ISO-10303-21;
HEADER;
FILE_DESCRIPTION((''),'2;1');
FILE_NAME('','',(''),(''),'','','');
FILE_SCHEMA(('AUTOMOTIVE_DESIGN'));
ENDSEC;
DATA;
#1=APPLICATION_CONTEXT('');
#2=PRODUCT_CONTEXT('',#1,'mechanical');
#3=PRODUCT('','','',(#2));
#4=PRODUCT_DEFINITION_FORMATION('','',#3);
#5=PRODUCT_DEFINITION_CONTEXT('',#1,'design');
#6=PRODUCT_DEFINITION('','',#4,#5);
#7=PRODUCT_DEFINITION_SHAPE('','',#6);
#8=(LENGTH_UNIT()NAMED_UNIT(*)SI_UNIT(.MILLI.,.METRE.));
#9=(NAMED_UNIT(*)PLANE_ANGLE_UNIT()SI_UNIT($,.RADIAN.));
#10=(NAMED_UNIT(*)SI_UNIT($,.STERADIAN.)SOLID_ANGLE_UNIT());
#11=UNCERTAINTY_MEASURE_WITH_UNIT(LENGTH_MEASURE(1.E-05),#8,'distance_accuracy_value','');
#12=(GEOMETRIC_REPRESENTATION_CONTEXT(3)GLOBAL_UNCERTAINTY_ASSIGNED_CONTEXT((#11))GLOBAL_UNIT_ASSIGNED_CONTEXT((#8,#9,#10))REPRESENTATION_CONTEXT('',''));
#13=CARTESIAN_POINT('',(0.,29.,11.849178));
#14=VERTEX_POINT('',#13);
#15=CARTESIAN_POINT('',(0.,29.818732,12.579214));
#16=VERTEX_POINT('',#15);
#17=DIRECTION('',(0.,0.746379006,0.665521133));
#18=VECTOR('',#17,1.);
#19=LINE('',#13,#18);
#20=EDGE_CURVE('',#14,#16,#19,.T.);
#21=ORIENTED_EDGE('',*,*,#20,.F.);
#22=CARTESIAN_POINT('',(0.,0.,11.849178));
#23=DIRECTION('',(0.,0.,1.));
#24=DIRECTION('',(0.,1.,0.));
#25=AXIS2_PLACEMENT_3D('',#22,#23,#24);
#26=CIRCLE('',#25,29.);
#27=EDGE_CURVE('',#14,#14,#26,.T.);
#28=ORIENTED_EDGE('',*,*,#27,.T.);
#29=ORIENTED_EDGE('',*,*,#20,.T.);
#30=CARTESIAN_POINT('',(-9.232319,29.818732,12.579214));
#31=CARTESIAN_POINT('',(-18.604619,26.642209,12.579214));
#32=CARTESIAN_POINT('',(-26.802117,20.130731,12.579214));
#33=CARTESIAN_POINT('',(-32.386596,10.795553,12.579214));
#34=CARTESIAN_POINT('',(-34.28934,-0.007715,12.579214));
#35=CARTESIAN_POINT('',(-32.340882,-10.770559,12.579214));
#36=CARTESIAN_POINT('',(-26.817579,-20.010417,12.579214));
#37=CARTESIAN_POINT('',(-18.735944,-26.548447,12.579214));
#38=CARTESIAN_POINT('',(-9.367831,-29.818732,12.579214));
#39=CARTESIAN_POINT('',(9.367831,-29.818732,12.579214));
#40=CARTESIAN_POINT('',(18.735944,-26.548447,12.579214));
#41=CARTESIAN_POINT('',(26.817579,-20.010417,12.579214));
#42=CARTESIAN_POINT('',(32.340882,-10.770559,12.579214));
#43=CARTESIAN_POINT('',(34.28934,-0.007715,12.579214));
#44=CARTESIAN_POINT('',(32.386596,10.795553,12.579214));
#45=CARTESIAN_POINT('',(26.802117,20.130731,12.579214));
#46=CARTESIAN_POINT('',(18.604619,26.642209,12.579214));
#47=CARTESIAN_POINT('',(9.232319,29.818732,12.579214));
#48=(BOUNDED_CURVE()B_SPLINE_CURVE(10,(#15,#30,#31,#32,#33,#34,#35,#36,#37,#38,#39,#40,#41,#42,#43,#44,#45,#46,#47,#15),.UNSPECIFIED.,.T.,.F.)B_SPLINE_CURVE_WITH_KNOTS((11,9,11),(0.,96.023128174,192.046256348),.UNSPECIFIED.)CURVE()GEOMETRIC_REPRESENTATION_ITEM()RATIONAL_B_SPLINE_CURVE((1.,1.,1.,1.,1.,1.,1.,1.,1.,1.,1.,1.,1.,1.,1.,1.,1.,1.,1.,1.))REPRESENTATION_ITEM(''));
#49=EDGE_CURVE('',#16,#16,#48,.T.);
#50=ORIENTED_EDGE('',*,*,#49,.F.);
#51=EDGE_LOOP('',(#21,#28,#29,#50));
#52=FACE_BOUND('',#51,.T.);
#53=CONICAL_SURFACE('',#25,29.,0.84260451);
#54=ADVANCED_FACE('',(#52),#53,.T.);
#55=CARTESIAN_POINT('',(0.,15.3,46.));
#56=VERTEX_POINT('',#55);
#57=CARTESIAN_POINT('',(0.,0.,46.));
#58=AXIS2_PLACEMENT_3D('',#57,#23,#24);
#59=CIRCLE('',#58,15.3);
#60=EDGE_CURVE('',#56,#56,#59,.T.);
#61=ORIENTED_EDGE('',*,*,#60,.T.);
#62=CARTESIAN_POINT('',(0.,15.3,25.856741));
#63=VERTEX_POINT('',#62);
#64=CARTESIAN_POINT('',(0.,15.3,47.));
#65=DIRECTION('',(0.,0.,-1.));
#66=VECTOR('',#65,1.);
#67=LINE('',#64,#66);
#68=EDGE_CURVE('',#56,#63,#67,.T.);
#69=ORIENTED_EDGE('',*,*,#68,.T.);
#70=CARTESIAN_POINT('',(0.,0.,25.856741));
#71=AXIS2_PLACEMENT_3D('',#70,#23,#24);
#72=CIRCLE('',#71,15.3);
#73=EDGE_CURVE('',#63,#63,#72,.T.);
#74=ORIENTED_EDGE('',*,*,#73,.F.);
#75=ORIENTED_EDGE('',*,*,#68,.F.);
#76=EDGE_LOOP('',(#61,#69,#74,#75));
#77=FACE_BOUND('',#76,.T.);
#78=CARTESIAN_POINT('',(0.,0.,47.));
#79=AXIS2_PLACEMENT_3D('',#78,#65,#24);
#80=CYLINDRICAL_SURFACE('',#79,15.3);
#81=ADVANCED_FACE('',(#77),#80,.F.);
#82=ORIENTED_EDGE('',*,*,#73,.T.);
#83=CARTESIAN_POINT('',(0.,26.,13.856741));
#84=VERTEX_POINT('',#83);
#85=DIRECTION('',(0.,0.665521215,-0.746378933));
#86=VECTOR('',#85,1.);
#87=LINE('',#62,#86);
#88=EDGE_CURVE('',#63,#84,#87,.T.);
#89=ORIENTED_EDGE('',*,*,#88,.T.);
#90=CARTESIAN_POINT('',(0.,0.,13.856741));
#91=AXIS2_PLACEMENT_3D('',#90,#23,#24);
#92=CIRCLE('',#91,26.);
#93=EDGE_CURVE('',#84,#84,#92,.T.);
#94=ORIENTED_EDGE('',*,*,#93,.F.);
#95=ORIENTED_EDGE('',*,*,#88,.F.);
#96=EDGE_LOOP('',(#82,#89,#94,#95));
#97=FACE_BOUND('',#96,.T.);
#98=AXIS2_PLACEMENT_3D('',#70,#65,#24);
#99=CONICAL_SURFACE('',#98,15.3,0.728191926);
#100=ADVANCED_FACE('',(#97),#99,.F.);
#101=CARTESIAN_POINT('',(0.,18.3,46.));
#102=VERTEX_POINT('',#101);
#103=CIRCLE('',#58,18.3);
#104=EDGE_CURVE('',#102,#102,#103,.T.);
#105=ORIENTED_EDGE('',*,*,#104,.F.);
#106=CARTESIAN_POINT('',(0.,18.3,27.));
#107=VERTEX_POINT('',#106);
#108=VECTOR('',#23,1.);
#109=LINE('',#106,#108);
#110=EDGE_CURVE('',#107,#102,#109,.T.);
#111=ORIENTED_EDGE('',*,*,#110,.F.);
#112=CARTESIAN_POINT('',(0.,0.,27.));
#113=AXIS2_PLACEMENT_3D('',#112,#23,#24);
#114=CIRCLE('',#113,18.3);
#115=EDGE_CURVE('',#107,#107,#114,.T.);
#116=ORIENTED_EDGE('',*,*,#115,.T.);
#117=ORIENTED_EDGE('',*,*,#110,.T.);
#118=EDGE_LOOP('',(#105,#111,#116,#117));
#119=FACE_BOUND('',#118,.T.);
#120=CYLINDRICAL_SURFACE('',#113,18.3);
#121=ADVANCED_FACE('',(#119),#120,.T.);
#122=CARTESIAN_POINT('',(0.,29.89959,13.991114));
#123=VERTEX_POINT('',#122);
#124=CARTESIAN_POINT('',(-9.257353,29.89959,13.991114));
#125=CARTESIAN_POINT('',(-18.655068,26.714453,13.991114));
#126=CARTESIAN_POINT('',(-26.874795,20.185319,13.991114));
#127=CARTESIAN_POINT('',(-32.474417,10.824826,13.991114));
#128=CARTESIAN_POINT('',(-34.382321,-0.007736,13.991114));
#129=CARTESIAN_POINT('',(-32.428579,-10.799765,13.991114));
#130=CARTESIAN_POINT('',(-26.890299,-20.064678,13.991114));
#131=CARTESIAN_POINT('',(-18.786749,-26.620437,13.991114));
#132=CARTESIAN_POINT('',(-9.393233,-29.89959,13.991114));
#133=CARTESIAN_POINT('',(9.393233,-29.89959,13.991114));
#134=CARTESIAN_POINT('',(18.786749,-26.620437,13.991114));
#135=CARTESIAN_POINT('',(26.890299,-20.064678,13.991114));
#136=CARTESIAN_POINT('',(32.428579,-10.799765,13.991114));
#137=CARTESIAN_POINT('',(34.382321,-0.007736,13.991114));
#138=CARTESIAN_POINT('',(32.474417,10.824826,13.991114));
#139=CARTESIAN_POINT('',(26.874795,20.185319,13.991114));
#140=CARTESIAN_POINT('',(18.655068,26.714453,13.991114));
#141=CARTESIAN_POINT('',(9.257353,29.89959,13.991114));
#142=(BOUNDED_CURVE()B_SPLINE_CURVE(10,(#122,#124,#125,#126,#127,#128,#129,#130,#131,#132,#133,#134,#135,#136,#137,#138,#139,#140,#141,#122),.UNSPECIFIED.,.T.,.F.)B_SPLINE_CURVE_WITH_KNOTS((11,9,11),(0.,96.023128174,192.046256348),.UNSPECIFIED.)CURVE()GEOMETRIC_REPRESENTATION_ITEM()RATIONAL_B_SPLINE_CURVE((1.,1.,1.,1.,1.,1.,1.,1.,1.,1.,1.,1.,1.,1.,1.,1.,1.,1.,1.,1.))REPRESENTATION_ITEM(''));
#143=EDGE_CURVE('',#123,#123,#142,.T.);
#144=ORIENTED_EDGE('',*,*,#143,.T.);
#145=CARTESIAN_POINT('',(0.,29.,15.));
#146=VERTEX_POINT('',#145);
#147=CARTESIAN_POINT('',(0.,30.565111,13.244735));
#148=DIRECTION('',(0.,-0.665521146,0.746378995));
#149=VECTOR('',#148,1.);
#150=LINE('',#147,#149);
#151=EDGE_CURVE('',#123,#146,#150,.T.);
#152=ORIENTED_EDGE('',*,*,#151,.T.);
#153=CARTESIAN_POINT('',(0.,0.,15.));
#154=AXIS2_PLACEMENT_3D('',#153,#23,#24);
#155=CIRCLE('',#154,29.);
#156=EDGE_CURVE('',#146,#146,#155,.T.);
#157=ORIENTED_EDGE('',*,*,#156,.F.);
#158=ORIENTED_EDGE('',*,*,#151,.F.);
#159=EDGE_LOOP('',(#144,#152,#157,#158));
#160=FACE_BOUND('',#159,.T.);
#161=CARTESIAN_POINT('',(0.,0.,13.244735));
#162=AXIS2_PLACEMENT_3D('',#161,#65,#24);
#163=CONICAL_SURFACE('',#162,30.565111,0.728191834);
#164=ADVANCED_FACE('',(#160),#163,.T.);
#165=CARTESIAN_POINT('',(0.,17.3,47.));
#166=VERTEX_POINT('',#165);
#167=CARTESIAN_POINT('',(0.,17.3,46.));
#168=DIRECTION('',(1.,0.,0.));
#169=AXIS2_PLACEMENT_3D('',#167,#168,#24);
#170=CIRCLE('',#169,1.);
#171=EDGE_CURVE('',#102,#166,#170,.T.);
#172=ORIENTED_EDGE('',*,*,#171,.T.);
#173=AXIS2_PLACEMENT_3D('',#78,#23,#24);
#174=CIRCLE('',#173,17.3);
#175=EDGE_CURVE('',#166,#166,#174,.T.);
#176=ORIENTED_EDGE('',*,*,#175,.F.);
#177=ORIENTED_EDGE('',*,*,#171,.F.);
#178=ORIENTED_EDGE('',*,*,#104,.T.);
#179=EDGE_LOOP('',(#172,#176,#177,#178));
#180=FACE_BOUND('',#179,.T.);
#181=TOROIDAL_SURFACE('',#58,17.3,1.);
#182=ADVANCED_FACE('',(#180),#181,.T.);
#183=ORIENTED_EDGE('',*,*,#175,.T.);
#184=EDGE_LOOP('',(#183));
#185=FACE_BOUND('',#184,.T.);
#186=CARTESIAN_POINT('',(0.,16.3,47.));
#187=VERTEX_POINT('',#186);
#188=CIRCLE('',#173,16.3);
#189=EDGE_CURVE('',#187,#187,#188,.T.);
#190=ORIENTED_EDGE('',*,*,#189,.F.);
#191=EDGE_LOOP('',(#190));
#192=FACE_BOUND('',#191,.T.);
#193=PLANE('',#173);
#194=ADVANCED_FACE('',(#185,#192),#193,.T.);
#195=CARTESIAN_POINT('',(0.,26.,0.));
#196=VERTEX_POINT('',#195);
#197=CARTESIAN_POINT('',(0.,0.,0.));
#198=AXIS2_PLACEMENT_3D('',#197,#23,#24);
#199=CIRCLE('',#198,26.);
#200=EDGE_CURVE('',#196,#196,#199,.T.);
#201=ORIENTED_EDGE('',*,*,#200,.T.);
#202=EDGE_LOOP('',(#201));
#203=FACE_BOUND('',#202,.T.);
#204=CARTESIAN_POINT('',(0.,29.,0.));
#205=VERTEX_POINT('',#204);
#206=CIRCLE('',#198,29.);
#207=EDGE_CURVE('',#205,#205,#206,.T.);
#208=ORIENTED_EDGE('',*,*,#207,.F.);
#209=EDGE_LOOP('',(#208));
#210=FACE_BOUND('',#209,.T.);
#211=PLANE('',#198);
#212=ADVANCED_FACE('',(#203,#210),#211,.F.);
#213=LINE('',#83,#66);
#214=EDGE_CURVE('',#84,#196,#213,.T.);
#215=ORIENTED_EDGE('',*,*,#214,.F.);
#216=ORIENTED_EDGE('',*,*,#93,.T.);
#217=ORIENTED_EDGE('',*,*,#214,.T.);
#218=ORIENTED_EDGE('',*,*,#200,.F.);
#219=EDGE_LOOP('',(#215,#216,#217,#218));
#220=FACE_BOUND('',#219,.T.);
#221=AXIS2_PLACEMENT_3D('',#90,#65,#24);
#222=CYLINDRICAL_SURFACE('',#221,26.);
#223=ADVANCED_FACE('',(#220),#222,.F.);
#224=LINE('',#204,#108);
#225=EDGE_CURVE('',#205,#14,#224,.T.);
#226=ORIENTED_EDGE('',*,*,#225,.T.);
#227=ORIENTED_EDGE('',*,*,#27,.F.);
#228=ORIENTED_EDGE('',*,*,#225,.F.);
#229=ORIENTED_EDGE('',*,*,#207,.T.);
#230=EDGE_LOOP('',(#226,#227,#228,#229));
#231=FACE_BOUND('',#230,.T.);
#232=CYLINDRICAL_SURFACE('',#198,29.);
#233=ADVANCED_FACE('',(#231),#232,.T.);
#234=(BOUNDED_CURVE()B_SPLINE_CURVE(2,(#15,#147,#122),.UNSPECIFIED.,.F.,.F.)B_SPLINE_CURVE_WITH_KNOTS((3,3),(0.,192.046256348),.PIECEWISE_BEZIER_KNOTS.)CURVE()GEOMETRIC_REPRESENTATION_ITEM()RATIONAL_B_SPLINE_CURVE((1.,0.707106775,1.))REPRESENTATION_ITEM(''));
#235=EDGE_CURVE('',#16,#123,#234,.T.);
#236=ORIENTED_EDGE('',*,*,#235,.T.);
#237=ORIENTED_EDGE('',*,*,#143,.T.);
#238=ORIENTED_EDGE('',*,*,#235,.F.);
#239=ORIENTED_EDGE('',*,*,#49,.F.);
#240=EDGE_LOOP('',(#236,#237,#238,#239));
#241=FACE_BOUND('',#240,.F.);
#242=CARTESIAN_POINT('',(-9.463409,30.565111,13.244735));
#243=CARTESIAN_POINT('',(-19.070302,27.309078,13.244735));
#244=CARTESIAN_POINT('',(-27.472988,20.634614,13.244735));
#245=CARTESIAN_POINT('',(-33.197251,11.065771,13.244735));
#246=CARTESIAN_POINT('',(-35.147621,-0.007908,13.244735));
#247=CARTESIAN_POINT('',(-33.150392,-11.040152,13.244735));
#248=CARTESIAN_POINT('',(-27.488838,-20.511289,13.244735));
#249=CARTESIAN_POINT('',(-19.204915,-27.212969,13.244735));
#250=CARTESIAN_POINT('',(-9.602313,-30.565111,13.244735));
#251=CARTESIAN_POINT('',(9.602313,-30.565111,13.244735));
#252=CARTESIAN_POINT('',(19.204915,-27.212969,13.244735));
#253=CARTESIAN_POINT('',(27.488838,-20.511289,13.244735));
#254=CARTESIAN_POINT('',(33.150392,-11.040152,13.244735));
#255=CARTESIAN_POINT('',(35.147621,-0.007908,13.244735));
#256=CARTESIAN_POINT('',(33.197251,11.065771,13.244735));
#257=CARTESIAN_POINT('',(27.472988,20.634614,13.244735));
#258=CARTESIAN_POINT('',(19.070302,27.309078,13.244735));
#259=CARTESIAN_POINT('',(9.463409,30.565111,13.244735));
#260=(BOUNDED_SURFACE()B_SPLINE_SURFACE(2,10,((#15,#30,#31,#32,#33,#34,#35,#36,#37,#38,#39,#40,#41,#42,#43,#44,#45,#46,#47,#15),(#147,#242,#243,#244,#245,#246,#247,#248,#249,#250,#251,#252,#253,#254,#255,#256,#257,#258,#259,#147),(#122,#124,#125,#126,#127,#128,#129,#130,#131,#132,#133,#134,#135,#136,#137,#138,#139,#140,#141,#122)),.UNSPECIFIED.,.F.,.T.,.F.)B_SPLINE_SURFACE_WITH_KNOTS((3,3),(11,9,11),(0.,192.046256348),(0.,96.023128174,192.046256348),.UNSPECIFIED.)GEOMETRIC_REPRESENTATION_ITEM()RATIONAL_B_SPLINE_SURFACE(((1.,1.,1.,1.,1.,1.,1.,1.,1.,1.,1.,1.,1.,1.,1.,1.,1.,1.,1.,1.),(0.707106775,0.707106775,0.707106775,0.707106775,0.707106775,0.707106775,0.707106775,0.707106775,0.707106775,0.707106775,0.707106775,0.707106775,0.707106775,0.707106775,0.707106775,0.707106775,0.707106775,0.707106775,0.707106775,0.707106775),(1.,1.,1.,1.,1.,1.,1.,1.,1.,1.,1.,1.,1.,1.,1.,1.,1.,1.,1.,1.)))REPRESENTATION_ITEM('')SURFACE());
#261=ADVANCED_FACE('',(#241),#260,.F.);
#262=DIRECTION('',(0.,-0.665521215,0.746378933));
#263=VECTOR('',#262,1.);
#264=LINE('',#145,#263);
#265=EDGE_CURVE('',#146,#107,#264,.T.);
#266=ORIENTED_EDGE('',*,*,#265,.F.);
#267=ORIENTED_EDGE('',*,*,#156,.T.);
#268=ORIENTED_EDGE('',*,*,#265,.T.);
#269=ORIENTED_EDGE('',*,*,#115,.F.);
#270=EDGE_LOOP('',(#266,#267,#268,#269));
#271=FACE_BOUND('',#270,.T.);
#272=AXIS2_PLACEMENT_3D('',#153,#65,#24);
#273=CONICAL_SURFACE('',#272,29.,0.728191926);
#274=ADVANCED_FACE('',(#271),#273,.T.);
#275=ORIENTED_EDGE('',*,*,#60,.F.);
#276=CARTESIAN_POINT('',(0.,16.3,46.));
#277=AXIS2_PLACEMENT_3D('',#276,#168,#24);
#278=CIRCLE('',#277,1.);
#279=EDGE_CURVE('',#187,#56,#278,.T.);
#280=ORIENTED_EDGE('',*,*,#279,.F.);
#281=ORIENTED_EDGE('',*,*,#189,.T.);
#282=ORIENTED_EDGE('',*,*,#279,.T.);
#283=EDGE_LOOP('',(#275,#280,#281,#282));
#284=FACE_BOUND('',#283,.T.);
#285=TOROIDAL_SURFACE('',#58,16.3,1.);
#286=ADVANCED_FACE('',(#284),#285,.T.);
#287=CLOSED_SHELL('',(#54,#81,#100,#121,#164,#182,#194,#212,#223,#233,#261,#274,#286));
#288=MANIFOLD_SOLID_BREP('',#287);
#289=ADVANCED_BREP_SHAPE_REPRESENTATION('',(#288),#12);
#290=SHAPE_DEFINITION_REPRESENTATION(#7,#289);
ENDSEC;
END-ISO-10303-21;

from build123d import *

# Parameters (mm, degrees)
F2_R = 1


with BuildPart() as f1:
    # F0 (on Right) → F1 (revolve)
    with BuildSketch(Plane.YZ):
        Polygon((26, 0), (29, 0), (29, 11.849178), (30.565111, 13.244735), (29, 15), (18.3, 27), (18.3, 47), (15.3, 47), (15.3, 25.856741), (26, 13.856741), align=None)
    revolve(axis=Axis((0, 0, 23.5), (0, 0, 1)))

    # F2
    f2_edges = [f1.edges().sort_by_distance(p)[0] for p in [
        (0, -18.3, 47),
        (0, -15.3, 47),
        (0, -30.565111, 13.244735),
    ]]
    fillet(f2_edges, radius=F2_R)


solid = f1.part
